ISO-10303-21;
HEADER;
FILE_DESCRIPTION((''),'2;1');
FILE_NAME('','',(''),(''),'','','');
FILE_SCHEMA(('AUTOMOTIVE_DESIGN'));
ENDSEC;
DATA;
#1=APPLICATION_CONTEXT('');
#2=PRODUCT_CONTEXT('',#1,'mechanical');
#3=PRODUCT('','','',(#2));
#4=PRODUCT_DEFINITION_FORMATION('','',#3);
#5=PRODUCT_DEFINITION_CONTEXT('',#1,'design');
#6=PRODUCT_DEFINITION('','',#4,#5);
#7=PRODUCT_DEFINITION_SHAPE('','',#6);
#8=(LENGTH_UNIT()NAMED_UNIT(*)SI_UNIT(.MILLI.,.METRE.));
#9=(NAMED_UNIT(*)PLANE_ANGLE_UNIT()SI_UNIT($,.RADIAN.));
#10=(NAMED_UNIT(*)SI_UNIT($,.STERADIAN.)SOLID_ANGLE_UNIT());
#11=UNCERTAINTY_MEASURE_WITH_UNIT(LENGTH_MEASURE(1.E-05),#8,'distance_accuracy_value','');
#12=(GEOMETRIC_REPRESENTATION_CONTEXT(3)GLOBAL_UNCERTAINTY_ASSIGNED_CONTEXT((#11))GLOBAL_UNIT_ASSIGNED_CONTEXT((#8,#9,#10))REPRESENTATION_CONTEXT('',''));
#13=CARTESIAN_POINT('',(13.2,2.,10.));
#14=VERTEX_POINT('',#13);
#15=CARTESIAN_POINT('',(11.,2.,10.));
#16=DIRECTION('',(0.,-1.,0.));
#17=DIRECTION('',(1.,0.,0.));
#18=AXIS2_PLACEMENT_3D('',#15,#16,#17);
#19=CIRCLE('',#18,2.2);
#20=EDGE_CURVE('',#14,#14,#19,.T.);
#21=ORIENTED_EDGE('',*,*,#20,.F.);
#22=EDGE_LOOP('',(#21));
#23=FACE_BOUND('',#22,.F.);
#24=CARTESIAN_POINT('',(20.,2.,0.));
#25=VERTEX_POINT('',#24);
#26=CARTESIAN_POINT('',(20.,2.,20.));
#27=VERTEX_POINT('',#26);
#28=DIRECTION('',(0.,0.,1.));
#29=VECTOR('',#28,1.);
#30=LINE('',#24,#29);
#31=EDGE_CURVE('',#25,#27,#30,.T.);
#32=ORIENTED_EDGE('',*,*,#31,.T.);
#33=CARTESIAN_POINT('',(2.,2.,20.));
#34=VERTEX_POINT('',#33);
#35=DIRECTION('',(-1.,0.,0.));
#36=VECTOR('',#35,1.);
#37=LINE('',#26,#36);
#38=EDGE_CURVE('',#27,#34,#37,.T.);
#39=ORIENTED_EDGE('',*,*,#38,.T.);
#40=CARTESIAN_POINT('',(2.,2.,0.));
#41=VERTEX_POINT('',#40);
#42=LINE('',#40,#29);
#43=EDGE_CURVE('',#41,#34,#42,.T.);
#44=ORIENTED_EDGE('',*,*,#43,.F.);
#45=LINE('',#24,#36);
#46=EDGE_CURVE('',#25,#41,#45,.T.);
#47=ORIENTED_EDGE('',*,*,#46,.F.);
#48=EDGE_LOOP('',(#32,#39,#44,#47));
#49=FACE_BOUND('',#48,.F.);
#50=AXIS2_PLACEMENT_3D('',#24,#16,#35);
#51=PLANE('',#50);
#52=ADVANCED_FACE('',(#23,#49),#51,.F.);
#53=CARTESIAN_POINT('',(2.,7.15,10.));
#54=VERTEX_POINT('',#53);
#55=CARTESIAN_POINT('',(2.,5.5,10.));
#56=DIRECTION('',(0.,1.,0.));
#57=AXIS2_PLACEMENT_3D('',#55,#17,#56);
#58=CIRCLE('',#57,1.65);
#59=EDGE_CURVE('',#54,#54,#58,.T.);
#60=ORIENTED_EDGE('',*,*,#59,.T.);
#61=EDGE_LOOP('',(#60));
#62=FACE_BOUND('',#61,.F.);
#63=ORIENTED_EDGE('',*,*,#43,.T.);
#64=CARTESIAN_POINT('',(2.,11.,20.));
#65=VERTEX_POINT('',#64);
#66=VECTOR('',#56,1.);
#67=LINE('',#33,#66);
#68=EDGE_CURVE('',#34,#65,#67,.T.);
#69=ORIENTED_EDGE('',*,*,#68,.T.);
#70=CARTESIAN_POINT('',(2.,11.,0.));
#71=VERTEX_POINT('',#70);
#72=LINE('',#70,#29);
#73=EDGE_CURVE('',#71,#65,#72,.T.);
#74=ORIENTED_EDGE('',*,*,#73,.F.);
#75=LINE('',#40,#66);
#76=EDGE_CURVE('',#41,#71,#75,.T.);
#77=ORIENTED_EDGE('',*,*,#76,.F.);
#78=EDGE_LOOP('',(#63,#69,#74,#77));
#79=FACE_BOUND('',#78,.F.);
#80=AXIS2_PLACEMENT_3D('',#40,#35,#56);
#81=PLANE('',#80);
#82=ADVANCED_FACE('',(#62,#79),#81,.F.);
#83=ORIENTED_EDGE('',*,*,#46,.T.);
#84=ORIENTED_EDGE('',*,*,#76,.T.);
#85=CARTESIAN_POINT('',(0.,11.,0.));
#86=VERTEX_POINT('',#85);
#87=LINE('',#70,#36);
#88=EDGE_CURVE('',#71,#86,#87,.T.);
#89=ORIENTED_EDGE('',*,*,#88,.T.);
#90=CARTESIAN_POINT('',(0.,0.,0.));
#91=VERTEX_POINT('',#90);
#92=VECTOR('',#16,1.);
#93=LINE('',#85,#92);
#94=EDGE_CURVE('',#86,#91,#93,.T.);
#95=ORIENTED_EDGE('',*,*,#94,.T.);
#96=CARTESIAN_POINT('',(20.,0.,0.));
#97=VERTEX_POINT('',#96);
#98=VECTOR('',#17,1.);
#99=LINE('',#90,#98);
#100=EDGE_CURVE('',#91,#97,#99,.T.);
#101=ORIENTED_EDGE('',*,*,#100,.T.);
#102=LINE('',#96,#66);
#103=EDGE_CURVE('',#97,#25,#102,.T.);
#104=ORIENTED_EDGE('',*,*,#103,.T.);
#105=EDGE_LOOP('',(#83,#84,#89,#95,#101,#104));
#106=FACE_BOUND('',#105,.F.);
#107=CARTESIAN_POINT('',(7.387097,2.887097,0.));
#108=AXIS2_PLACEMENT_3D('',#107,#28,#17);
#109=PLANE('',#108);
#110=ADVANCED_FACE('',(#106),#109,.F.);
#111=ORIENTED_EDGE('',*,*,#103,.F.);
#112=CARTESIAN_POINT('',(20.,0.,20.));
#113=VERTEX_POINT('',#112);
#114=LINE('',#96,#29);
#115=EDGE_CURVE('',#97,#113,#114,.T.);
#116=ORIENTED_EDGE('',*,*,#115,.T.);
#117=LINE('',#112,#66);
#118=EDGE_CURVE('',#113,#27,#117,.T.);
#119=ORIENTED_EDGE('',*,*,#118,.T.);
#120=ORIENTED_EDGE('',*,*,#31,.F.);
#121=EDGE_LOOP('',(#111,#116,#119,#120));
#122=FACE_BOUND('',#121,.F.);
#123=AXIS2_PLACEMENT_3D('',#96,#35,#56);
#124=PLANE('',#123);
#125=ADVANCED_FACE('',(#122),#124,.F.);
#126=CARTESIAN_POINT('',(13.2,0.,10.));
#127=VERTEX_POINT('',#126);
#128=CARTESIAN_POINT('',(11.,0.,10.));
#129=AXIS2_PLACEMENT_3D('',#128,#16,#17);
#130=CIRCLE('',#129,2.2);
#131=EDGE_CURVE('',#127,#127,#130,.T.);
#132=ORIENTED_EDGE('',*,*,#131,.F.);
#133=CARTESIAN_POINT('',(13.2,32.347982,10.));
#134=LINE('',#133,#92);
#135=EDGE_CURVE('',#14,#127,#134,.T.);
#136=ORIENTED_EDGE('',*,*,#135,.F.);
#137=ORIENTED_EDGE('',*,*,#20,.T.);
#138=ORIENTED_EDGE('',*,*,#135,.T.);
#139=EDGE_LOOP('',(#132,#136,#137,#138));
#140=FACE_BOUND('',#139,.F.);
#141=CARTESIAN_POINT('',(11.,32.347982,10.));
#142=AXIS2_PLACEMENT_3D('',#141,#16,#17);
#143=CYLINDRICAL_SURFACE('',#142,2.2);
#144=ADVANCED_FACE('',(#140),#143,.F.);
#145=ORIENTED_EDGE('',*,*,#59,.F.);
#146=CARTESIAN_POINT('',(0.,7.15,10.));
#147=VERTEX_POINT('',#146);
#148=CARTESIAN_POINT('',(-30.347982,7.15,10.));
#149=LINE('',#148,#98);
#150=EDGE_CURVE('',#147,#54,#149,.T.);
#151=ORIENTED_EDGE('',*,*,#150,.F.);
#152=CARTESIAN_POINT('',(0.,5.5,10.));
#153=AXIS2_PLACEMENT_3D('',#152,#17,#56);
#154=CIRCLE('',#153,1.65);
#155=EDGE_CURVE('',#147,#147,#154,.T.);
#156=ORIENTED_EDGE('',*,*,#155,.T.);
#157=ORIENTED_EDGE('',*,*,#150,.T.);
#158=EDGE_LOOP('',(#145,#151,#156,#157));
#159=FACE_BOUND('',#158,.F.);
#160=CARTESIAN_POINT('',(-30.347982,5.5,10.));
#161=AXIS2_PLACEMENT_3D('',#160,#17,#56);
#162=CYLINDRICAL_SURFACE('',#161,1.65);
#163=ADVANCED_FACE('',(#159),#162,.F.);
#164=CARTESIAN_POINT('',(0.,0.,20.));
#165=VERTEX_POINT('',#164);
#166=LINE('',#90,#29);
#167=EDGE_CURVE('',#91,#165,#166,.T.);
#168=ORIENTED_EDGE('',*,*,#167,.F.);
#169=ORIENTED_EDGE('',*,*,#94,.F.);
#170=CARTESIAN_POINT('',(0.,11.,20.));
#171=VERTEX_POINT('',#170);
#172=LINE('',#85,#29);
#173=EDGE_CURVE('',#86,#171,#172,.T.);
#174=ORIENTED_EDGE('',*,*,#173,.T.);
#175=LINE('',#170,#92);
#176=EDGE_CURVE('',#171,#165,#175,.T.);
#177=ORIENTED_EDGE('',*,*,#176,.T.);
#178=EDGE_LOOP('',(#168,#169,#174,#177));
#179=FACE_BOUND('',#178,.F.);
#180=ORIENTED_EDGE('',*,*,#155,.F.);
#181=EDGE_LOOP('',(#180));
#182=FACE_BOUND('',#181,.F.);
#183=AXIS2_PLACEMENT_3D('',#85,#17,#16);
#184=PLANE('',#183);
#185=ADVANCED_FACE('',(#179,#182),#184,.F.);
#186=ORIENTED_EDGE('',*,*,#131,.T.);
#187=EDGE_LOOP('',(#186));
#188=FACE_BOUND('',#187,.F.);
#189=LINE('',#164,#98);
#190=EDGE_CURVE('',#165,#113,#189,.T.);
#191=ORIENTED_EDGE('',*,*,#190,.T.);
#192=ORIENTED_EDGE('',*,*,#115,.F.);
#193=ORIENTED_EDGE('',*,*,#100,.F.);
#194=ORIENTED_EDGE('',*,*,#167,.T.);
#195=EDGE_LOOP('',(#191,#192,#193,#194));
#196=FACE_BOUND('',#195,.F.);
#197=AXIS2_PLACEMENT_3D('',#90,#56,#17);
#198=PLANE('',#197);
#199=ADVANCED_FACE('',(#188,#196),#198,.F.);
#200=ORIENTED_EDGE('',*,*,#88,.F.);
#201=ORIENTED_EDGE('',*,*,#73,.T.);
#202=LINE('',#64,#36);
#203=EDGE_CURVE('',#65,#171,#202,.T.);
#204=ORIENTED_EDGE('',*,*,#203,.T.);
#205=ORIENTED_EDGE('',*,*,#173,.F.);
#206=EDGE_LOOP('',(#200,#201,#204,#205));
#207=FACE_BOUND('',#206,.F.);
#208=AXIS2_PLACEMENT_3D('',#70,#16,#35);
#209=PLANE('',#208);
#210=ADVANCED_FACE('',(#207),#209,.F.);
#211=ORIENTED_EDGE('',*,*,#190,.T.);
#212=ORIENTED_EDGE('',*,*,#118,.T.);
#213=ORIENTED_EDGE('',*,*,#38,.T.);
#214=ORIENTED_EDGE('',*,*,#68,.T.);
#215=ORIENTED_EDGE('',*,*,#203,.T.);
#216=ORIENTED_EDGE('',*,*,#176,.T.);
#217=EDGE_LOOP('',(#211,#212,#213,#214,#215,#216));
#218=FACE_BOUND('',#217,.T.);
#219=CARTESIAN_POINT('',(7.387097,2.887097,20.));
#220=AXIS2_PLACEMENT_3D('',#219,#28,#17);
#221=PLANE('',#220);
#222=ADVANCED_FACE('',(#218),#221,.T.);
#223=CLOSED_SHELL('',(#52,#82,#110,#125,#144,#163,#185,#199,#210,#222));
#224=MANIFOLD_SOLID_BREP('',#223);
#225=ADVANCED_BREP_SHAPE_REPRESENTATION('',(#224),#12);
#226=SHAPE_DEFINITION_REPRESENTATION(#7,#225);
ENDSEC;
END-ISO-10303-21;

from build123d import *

# Parameters (mm, degrees)
F1_DEPTH = 20
F3_D     = 4.4
F5_D     = 3.3


with BuildPart() as f1:
    # F0 (on Top) → F1 (new body)
    with BuildSketch(Plane.XY):
        Polygon((0, 11), (0, 0), (20, 0), (20, 2), (2, 2), (2, 11), align=None)
    extrude(amount=F1_DEPTH)

    # F3 (through all)
    with Locations(Plane(origin=(0, 2, 0), x_dir=(-1, 0, 0), z_dir=(0, 1, 0))):
        with Locations((-11, 10)):
            Hole(F3_D / 2)

    # F5 (through all)
    with Locations(Plane(origin=(0, 0, 0), x_dir=(0, -1, 0), z_dir=(-1, 0, 0))):
        with Locations((-5.5, 10)):
            Hole(F5_D / 2)


solid = f1.part
